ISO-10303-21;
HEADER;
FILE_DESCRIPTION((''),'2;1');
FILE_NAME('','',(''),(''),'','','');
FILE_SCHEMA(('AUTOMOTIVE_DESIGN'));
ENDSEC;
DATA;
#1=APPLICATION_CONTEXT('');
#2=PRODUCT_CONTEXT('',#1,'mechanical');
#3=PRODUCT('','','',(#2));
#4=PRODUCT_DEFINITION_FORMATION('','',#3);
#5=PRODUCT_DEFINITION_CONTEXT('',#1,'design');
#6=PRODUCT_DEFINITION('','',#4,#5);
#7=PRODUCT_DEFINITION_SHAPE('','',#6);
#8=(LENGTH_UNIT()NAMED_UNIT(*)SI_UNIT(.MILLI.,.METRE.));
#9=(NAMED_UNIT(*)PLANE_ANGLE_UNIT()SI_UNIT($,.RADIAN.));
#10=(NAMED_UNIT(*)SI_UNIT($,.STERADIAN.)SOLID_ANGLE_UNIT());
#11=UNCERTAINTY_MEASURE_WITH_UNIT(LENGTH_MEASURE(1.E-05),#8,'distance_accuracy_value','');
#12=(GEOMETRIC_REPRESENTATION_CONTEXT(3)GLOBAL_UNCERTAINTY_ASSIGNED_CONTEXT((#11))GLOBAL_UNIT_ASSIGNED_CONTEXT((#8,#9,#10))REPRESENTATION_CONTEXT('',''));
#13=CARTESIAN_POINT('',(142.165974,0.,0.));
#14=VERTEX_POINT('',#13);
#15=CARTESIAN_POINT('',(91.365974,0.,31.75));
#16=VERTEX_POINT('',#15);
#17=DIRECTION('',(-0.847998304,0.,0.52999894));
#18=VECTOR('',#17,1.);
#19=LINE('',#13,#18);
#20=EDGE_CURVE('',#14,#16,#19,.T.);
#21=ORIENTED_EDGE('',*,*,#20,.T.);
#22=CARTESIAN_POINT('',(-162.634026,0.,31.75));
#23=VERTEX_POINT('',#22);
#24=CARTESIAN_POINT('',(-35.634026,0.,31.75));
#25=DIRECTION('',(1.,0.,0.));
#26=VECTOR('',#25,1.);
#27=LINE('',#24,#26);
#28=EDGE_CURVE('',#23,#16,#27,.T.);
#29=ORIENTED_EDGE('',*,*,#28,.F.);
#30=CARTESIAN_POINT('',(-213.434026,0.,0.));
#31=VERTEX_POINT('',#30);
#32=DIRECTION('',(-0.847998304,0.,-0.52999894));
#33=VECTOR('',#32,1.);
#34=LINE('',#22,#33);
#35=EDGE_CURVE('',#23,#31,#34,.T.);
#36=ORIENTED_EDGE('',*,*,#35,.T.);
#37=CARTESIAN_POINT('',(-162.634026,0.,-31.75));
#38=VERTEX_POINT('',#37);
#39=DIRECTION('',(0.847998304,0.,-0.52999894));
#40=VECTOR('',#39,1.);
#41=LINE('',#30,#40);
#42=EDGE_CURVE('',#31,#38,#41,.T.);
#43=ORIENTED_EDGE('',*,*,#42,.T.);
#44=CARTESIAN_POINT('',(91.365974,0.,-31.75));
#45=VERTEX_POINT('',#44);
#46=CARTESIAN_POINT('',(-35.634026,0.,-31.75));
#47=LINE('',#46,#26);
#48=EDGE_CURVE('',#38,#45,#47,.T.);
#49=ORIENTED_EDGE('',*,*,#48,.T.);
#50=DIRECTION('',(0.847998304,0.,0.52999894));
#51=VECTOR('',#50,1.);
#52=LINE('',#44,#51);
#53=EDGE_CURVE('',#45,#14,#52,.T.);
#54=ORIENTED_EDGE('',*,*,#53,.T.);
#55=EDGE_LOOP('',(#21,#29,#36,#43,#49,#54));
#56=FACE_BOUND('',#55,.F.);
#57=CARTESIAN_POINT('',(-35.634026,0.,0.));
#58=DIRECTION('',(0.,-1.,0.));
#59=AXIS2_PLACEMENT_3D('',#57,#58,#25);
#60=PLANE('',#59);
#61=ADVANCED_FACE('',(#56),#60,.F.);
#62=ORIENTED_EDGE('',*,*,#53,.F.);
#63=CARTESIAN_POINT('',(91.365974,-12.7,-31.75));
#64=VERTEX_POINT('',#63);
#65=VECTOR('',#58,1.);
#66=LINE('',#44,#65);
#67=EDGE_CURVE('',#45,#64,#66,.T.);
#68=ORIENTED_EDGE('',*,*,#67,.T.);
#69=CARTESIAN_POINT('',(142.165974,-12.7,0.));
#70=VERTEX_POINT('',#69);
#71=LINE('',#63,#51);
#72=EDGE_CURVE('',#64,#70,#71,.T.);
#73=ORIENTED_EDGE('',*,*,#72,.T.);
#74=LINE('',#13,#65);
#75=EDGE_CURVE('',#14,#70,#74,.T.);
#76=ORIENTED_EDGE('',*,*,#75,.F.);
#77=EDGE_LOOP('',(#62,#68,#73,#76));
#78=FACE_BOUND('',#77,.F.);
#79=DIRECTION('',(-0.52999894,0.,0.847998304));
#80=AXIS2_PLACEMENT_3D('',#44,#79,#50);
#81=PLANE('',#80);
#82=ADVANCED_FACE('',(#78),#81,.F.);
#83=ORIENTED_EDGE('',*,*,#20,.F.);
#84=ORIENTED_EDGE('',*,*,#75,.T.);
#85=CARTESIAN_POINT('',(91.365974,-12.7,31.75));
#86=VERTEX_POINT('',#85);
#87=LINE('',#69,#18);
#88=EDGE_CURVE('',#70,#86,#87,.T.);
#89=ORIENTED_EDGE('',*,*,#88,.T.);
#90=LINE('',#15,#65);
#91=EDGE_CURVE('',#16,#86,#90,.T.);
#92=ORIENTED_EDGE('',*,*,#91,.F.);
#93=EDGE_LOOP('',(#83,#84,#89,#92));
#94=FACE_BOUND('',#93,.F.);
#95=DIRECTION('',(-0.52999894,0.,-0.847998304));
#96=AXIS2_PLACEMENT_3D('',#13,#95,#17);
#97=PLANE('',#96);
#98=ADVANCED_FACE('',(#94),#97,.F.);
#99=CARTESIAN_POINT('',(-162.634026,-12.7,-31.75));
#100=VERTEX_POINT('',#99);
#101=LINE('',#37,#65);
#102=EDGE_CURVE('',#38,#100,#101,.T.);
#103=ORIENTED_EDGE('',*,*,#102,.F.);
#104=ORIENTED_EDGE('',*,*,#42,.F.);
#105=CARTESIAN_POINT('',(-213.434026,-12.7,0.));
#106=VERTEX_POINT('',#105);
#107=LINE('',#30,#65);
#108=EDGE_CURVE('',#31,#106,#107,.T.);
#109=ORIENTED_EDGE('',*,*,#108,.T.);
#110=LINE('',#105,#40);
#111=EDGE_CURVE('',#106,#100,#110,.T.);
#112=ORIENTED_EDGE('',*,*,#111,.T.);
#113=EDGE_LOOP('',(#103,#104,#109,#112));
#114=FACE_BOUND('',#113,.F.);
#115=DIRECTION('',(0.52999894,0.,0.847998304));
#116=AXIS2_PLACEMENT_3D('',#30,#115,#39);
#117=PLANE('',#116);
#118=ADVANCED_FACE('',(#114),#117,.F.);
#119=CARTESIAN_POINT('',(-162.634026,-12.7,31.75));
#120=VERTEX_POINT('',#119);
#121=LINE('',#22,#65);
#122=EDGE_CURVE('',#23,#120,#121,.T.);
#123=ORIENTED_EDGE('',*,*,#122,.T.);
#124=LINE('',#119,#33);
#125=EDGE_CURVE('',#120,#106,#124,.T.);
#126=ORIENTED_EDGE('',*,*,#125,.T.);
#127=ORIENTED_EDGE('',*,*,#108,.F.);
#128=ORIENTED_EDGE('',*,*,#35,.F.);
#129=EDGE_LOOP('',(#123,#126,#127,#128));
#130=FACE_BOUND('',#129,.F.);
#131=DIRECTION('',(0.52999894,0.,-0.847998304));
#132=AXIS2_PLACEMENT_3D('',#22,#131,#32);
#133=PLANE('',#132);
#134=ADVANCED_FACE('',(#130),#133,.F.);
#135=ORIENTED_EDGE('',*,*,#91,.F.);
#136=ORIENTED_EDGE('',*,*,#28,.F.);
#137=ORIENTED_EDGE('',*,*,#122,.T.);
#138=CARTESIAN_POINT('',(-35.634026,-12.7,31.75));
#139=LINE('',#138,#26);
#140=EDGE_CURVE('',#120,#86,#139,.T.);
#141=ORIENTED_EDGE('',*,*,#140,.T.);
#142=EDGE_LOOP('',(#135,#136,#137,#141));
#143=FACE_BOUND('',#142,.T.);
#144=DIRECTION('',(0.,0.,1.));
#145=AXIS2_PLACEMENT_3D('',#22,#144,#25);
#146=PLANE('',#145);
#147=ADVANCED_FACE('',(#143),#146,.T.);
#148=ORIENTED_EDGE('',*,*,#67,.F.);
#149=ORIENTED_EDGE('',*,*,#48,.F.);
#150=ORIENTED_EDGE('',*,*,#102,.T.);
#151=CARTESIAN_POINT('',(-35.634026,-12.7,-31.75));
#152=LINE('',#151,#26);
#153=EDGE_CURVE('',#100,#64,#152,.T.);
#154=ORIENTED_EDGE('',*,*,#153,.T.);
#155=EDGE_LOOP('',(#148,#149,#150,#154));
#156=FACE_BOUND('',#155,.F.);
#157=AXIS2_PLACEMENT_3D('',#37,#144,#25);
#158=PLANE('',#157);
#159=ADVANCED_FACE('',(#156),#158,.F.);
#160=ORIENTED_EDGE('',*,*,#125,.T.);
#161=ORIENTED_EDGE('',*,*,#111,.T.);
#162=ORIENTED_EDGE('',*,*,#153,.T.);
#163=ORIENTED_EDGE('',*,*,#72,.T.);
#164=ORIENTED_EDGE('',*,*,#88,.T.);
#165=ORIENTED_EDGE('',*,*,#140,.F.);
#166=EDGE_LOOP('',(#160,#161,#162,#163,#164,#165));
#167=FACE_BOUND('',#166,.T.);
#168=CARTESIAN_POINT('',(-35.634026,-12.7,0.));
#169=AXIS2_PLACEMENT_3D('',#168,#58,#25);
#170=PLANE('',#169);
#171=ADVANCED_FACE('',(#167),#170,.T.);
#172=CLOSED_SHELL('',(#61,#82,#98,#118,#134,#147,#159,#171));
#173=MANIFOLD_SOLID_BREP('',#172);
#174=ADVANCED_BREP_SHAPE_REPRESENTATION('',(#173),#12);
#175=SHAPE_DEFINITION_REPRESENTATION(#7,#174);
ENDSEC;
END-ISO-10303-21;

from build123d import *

# Parameters (mm, degrees)
F0_W     = 254
F0_H     = 63.5
F1_DEPTH = 12.7


with BuildPart() as f1:
    # F0 (on Front) → F1 (new body)
    with BuildSketch(Plane.XZ):
        with Locations((-35.634026, 0)):
            Rectangle(F0_W, F0_H)
        Polygon((-213.434026, 0), (-162.634026, -31.75), (-162.634026, 31.75), align=None)
        Polygon((91.365974, 31.75), (91.365974, -31.75), (142.165974, 0), align=None)
    extrude(amount=F1_DEPTH)


solid = f1.part
